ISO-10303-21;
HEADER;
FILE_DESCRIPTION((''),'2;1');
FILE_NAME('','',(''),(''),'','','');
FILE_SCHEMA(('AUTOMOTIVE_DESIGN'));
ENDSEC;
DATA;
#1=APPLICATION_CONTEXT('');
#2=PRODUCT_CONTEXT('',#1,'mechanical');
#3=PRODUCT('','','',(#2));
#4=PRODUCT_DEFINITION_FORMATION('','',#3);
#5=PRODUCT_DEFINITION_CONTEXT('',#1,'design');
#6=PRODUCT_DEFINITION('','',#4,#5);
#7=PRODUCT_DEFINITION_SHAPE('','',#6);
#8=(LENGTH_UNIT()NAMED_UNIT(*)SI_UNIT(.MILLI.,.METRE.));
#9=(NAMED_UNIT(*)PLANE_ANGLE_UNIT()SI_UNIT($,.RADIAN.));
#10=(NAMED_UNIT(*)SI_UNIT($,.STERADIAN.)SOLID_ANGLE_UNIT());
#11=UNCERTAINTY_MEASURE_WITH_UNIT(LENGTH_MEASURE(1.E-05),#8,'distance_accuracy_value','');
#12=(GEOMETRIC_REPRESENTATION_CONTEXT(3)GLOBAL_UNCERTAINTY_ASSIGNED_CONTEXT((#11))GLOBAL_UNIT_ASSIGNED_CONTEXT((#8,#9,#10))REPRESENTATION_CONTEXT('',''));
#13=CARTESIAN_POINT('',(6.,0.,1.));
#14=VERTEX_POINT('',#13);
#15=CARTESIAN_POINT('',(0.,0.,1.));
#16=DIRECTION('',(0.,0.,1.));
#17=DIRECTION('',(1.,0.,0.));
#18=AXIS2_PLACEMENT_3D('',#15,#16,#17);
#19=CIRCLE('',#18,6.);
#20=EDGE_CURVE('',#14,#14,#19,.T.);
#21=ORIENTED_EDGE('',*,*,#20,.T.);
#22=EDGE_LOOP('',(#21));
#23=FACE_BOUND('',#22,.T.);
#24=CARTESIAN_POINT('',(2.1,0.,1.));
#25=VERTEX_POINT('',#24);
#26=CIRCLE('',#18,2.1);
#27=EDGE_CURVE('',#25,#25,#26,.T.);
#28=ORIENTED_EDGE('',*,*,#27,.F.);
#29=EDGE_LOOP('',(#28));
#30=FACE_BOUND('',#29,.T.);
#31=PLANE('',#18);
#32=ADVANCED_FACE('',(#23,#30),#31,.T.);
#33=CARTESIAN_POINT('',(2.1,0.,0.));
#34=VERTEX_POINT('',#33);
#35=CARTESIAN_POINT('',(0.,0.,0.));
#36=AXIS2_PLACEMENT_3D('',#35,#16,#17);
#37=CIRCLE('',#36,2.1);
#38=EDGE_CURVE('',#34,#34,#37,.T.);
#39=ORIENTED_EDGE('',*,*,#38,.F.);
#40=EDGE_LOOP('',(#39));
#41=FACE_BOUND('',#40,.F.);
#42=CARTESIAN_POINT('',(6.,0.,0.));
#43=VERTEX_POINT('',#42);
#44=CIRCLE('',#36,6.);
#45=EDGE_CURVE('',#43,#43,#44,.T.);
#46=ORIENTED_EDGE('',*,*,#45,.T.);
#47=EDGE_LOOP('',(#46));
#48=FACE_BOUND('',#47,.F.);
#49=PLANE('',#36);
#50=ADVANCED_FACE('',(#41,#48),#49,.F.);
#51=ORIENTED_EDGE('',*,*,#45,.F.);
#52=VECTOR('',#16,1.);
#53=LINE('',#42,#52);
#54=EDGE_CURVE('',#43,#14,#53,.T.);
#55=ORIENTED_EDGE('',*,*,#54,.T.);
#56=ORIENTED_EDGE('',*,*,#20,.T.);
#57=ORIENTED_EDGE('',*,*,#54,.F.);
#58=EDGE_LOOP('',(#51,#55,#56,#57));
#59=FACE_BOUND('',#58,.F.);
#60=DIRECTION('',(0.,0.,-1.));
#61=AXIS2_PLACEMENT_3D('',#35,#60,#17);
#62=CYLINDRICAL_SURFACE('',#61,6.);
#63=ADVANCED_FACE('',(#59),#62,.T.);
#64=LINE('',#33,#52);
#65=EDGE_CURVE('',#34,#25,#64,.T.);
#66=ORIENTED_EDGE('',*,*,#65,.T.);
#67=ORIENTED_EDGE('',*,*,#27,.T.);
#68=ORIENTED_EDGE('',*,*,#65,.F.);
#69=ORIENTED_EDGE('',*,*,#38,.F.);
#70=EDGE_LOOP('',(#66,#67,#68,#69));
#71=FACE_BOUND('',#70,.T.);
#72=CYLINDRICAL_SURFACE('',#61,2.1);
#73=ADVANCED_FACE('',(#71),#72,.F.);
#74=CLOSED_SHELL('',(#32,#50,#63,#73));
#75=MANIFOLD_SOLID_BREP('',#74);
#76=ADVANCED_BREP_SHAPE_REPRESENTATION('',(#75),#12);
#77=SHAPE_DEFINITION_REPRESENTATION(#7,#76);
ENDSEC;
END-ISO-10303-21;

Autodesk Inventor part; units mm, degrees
ref_plane "YZ Plane" through (0, 0, 0) normal (1, 0, 0) x (0, 1, 0)
ref_plane "XZ Plane" through (0, 0, 0) normal (0, 1, 0) x (-1, 0, 0)
ref_plane "XY Plane" through (0, 0, 0) normal (0, 0, 1) x (1, 0, 0)
sketch "スケッチ1" plane through (0, 0, 0) normal (0, 0, 1) x (1, 0, 0)
  circle A0 centre (0, 0) radius 2.1
  circle A1 centre (0, 0) radius 6
  dimension "d0" = 4.2
  dimension "d1" = 12
extrude "押し出し1" add sketch "スケッチ1" along normal blind 1
properties part number "UUW-0412-10H" material "ステンレス鋼 AISI 304"
